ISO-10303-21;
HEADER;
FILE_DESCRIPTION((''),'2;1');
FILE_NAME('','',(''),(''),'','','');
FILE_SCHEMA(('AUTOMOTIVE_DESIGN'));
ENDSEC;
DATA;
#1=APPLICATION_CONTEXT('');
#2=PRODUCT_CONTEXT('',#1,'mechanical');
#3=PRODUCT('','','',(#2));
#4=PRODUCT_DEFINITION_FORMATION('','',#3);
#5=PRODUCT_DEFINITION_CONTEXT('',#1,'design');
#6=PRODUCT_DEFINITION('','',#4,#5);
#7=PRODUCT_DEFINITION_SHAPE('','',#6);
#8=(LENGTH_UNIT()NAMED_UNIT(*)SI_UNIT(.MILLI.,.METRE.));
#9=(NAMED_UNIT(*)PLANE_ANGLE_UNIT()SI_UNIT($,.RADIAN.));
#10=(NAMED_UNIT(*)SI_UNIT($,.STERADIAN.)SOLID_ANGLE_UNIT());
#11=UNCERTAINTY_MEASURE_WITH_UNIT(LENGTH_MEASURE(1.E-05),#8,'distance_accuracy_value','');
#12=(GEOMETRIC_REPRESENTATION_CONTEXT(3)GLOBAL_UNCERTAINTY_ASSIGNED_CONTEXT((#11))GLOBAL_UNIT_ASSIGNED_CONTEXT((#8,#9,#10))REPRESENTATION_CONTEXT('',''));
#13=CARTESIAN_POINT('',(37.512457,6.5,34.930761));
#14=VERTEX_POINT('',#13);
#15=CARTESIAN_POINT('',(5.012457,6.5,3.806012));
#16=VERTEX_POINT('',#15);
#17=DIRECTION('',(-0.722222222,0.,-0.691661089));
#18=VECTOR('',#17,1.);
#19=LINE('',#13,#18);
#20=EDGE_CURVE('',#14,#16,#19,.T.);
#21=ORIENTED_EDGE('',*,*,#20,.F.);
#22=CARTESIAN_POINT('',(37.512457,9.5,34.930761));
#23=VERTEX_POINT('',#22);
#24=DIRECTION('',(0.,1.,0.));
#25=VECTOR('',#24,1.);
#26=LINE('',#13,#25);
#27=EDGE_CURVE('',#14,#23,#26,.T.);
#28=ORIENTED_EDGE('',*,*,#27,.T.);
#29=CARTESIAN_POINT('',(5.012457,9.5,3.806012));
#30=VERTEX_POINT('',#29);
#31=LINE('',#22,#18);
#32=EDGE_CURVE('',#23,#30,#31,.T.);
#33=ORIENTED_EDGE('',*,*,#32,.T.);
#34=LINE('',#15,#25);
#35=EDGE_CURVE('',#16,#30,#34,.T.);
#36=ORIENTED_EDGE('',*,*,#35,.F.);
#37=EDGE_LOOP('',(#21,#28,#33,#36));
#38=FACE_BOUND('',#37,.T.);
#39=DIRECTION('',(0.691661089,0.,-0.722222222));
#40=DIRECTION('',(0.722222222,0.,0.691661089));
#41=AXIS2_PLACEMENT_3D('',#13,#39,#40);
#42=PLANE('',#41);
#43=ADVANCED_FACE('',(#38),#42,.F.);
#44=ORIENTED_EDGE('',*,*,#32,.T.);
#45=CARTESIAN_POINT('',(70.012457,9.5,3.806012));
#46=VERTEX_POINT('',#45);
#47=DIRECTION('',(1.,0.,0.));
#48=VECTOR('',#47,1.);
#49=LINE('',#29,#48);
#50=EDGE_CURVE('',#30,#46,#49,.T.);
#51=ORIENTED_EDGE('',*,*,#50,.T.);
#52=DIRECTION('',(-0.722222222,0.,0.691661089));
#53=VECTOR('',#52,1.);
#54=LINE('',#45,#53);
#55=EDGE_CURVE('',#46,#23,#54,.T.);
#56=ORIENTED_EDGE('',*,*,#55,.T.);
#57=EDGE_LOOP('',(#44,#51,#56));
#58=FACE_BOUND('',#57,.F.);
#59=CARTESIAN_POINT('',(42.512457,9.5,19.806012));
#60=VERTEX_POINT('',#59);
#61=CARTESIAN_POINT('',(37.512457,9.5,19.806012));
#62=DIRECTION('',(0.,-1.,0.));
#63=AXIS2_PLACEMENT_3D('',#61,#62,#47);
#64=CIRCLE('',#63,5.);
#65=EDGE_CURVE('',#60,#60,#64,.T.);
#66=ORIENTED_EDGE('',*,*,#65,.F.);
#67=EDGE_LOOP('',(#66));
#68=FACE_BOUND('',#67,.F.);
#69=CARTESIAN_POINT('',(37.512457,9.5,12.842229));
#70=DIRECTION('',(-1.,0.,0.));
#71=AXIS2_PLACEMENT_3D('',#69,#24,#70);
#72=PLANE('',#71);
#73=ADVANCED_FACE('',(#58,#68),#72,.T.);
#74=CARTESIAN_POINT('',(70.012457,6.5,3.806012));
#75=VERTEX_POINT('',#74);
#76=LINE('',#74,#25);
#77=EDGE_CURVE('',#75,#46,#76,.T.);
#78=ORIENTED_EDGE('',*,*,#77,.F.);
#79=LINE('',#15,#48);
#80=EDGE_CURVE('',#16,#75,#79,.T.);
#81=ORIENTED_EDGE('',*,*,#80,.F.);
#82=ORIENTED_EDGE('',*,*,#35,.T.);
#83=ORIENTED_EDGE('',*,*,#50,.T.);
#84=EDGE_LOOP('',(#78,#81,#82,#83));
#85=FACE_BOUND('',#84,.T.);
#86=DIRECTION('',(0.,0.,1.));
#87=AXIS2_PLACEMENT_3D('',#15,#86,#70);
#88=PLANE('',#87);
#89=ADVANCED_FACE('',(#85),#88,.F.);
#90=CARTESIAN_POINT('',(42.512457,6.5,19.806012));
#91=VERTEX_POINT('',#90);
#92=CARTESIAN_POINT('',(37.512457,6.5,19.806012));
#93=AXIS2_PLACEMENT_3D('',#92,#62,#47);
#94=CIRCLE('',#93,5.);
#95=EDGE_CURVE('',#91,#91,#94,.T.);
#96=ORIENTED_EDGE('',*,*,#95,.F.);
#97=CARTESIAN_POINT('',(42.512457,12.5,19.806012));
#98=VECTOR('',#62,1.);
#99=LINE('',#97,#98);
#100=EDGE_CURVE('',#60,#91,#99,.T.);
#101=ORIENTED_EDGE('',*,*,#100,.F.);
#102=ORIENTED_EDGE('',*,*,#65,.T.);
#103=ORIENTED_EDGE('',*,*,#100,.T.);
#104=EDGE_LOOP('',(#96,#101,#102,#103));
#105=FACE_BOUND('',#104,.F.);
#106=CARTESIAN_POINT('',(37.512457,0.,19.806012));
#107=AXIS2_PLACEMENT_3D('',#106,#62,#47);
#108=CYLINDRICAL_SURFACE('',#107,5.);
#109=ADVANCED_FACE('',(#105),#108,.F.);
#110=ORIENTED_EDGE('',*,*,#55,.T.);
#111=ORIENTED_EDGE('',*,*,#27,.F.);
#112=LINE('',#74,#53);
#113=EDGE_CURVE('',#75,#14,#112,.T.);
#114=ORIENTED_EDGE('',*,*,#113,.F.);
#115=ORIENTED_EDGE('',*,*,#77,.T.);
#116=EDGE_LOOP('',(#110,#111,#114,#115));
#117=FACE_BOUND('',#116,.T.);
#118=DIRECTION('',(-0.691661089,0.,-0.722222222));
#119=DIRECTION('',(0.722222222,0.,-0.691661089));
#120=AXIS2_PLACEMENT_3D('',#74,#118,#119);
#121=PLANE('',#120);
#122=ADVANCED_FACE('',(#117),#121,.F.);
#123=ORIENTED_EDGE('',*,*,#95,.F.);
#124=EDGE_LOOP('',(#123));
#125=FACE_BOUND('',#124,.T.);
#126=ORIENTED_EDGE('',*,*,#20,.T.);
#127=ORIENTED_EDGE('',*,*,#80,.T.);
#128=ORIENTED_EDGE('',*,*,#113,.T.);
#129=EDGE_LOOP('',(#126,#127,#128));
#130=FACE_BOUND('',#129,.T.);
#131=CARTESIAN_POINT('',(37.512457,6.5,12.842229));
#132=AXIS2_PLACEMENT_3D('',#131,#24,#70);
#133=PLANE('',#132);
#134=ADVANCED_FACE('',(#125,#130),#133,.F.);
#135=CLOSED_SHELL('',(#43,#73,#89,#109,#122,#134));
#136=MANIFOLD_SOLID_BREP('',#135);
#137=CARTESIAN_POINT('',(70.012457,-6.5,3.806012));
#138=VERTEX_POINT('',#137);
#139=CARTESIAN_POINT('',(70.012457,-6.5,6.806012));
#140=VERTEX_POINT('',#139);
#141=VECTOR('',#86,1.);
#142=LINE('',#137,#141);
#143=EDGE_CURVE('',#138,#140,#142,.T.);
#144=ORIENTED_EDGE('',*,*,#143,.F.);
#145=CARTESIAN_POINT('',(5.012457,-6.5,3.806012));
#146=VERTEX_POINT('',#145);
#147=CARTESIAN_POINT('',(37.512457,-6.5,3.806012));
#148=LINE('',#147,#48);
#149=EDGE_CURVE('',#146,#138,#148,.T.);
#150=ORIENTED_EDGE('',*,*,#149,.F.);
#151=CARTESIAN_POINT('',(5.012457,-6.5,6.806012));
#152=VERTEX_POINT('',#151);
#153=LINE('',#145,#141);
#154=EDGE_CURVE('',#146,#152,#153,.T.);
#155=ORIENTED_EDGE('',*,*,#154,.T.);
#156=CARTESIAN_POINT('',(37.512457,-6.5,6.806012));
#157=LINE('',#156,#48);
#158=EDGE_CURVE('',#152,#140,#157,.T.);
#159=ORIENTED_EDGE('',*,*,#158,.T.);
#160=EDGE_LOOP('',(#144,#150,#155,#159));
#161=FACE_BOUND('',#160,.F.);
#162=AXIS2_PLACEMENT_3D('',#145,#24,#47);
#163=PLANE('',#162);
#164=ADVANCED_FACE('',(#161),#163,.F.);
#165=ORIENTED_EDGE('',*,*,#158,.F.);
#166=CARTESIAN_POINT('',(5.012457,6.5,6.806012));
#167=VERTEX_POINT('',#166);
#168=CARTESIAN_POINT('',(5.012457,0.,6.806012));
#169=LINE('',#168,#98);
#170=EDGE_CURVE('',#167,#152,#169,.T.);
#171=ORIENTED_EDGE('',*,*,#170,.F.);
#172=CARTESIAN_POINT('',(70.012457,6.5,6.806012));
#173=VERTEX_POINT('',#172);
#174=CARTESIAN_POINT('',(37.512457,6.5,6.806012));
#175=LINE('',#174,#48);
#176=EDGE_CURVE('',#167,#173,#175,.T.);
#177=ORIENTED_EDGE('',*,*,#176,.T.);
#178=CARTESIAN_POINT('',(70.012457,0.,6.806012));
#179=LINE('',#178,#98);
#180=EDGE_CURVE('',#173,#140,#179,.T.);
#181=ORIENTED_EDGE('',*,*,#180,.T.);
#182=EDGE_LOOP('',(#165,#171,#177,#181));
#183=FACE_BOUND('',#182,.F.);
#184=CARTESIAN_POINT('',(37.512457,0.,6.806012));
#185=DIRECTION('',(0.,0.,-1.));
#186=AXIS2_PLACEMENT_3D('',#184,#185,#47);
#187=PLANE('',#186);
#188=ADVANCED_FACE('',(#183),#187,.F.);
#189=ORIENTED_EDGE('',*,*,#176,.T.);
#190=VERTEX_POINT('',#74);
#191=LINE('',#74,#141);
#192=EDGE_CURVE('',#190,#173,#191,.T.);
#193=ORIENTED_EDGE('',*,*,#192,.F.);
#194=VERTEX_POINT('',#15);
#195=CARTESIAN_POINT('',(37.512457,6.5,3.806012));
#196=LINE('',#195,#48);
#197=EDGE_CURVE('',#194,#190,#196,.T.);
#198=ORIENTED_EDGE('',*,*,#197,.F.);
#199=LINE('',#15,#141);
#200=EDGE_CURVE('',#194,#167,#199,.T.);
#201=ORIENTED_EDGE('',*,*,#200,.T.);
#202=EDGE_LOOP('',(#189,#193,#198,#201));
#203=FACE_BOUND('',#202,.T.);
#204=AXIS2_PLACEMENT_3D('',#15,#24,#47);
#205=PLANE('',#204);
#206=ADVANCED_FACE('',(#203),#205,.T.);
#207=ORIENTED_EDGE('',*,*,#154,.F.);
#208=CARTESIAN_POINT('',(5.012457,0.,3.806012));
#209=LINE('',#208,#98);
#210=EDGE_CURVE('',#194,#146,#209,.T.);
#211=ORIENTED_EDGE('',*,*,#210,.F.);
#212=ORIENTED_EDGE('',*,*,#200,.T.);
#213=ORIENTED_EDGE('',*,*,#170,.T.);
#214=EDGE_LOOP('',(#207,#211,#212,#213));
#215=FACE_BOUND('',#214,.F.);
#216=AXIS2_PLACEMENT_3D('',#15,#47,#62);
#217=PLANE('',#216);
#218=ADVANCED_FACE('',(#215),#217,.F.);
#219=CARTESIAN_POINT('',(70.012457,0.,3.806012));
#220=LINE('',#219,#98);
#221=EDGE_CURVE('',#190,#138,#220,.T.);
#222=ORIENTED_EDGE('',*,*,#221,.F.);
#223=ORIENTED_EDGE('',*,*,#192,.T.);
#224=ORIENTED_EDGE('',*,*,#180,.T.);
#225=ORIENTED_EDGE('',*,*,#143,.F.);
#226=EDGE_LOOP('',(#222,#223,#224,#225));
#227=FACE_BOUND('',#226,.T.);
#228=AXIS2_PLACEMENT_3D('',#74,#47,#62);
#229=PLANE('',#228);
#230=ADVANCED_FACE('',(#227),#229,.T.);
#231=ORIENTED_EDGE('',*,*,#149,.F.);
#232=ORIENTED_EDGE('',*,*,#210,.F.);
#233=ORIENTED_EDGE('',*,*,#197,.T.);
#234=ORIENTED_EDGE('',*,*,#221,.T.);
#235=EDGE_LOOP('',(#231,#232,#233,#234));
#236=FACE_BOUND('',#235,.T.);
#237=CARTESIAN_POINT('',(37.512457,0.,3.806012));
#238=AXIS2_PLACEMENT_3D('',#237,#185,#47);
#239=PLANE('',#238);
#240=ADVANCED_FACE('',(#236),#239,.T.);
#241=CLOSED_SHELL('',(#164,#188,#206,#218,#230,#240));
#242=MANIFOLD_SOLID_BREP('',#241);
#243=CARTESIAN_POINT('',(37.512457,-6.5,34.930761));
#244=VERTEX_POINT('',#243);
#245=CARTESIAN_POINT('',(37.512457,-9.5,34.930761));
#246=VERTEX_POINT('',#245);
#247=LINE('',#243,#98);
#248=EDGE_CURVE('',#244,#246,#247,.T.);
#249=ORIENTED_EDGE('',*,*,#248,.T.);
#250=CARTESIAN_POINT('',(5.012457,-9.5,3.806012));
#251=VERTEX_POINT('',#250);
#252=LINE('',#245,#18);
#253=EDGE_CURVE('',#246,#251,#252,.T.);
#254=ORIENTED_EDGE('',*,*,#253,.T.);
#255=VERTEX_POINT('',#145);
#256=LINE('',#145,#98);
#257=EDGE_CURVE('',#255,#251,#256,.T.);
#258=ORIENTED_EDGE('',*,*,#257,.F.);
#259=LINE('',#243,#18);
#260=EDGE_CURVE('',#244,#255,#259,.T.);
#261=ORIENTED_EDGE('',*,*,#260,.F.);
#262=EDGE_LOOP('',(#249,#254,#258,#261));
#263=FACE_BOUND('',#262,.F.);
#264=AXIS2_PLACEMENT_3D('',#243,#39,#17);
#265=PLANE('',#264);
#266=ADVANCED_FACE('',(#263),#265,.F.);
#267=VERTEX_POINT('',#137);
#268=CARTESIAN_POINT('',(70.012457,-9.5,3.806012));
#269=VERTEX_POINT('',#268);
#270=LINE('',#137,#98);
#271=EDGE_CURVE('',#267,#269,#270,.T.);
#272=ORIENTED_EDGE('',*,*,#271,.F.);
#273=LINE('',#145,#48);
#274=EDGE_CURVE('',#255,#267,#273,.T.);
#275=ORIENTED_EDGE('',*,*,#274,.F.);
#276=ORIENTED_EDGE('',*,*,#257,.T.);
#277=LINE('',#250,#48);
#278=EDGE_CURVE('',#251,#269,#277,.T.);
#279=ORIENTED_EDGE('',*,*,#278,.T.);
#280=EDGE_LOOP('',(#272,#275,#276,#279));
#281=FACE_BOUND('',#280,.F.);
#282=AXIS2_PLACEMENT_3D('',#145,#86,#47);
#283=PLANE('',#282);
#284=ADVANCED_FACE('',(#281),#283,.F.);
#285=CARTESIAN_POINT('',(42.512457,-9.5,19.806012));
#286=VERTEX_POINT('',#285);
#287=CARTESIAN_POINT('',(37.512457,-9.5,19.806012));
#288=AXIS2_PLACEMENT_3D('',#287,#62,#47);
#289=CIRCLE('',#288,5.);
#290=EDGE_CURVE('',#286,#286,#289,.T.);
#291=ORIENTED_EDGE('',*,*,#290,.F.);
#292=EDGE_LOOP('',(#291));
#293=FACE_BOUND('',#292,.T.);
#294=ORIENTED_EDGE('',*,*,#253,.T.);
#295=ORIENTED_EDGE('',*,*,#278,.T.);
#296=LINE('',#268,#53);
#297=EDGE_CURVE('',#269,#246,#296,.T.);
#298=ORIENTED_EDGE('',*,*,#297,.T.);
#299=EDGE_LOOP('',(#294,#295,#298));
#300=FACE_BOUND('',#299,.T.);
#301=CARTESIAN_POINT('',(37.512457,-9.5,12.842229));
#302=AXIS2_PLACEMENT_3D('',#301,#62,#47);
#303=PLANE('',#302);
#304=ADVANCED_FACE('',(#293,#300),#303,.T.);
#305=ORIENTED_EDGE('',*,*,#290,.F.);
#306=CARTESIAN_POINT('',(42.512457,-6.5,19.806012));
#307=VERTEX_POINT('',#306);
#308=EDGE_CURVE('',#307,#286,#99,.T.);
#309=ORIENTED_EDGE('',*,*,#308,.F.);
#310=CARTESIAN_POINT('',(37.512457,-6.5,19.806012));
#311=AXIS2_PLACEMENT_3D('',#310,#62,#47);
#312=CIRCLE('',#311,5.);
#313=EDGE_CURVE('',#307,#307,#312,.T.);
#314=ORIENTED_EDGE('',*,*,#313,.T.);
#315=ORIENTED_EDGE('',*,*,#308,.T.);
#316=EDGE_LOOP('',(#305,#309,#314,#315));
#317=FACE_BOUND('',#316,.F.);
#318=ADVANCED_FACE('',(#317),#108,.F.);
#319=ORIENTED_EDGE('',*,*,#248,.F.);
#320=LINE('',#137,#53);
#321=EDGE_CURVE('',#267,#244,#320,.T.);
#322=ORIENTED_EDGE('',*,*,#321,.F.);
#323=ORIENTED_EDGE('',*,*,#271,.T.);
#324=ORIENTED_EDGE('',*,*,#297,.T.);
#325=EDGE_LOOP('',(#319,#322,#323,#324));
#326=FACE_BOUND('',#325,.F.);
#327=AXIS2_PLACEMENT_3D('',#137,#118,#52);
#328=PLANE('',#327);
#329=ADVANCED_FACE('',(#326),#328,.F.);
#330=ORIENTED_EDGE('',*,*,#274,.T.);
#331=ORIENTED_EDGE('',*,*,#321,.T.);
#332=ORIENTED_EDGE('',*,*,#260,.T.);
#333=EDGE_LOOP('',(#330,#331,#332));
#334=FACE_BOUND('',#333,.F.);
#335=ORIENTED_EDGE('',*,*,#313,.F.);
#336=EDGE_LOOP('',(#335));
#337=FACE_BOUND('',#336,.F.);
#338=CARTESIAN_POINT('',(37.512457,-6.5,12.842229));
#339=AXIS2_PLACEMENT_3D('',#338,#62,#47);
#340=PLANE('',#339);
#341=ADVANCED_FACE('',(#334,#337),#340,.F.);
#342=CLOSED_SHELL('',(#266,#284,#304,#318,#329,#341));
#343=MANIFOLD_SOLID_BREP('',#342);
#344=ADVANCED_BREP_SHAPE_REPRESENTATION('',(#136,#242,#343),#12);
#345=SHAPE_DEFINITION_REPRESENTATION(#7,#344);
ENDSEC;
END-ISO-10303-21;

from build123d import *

# Parameters (mm, degrees)
F2_DEPTH = 3
F4_W     = 65
F4_H     = 13
F5_DEPTH = 3
F6_R     = 5
F7_DEPTH = 12.5


with BuildPart() as f2:
    # F1 (on offset) → F2 (new body)
    with BuildSketch(Plane.XZ.offset(6.5)):
        Polygon((37.512457, 34.930761), (5.012457, 3.806012), (70.012457, 3.806012), align=None)
    extrude(amount=F2_DEPTH)


with BuildPart() as f3_1:
    # F3: instance of F2
    add(f2.part.mirror(Plane.XZ))


with BuildPart() as f5:
    # F4 (on face) → F5 (new body)
    with BuildSketch(Plane(origin=(0, 0, 3.806012), x_dir=(1, 0, 0), z_dir=(0, 0, -1))):
        with Locations((37.512457, 0)):
            Rectangle(F4_W, F4_H)
    extrude(amount=-F5_DEPTH)


with BuildPart() as f7_tool:
    # F6 (on Front) → F7 (new body, symmetric)
    with BuildSketch(Plane.XZ):
        with Locations((37.512457, 19.806012)):
            Circle(F6_R)
    extrude(amount=F7_DEPTH, both=True)


with BuildPart() as f2_1:
    add(f2.part)

    # F7: cut by f7_tool
    add(f7_tool.part, mode=Mode.SUBTRACT)


with BuildPart() as f3_1_1:
    add(f3_1.part)

    # F7: cut by f7_tool
    add(f7_tool.part, mode=Mode.SUBTRACT)


solid = Compound([f5.part, f2_1.part, f3_1_1.part])
